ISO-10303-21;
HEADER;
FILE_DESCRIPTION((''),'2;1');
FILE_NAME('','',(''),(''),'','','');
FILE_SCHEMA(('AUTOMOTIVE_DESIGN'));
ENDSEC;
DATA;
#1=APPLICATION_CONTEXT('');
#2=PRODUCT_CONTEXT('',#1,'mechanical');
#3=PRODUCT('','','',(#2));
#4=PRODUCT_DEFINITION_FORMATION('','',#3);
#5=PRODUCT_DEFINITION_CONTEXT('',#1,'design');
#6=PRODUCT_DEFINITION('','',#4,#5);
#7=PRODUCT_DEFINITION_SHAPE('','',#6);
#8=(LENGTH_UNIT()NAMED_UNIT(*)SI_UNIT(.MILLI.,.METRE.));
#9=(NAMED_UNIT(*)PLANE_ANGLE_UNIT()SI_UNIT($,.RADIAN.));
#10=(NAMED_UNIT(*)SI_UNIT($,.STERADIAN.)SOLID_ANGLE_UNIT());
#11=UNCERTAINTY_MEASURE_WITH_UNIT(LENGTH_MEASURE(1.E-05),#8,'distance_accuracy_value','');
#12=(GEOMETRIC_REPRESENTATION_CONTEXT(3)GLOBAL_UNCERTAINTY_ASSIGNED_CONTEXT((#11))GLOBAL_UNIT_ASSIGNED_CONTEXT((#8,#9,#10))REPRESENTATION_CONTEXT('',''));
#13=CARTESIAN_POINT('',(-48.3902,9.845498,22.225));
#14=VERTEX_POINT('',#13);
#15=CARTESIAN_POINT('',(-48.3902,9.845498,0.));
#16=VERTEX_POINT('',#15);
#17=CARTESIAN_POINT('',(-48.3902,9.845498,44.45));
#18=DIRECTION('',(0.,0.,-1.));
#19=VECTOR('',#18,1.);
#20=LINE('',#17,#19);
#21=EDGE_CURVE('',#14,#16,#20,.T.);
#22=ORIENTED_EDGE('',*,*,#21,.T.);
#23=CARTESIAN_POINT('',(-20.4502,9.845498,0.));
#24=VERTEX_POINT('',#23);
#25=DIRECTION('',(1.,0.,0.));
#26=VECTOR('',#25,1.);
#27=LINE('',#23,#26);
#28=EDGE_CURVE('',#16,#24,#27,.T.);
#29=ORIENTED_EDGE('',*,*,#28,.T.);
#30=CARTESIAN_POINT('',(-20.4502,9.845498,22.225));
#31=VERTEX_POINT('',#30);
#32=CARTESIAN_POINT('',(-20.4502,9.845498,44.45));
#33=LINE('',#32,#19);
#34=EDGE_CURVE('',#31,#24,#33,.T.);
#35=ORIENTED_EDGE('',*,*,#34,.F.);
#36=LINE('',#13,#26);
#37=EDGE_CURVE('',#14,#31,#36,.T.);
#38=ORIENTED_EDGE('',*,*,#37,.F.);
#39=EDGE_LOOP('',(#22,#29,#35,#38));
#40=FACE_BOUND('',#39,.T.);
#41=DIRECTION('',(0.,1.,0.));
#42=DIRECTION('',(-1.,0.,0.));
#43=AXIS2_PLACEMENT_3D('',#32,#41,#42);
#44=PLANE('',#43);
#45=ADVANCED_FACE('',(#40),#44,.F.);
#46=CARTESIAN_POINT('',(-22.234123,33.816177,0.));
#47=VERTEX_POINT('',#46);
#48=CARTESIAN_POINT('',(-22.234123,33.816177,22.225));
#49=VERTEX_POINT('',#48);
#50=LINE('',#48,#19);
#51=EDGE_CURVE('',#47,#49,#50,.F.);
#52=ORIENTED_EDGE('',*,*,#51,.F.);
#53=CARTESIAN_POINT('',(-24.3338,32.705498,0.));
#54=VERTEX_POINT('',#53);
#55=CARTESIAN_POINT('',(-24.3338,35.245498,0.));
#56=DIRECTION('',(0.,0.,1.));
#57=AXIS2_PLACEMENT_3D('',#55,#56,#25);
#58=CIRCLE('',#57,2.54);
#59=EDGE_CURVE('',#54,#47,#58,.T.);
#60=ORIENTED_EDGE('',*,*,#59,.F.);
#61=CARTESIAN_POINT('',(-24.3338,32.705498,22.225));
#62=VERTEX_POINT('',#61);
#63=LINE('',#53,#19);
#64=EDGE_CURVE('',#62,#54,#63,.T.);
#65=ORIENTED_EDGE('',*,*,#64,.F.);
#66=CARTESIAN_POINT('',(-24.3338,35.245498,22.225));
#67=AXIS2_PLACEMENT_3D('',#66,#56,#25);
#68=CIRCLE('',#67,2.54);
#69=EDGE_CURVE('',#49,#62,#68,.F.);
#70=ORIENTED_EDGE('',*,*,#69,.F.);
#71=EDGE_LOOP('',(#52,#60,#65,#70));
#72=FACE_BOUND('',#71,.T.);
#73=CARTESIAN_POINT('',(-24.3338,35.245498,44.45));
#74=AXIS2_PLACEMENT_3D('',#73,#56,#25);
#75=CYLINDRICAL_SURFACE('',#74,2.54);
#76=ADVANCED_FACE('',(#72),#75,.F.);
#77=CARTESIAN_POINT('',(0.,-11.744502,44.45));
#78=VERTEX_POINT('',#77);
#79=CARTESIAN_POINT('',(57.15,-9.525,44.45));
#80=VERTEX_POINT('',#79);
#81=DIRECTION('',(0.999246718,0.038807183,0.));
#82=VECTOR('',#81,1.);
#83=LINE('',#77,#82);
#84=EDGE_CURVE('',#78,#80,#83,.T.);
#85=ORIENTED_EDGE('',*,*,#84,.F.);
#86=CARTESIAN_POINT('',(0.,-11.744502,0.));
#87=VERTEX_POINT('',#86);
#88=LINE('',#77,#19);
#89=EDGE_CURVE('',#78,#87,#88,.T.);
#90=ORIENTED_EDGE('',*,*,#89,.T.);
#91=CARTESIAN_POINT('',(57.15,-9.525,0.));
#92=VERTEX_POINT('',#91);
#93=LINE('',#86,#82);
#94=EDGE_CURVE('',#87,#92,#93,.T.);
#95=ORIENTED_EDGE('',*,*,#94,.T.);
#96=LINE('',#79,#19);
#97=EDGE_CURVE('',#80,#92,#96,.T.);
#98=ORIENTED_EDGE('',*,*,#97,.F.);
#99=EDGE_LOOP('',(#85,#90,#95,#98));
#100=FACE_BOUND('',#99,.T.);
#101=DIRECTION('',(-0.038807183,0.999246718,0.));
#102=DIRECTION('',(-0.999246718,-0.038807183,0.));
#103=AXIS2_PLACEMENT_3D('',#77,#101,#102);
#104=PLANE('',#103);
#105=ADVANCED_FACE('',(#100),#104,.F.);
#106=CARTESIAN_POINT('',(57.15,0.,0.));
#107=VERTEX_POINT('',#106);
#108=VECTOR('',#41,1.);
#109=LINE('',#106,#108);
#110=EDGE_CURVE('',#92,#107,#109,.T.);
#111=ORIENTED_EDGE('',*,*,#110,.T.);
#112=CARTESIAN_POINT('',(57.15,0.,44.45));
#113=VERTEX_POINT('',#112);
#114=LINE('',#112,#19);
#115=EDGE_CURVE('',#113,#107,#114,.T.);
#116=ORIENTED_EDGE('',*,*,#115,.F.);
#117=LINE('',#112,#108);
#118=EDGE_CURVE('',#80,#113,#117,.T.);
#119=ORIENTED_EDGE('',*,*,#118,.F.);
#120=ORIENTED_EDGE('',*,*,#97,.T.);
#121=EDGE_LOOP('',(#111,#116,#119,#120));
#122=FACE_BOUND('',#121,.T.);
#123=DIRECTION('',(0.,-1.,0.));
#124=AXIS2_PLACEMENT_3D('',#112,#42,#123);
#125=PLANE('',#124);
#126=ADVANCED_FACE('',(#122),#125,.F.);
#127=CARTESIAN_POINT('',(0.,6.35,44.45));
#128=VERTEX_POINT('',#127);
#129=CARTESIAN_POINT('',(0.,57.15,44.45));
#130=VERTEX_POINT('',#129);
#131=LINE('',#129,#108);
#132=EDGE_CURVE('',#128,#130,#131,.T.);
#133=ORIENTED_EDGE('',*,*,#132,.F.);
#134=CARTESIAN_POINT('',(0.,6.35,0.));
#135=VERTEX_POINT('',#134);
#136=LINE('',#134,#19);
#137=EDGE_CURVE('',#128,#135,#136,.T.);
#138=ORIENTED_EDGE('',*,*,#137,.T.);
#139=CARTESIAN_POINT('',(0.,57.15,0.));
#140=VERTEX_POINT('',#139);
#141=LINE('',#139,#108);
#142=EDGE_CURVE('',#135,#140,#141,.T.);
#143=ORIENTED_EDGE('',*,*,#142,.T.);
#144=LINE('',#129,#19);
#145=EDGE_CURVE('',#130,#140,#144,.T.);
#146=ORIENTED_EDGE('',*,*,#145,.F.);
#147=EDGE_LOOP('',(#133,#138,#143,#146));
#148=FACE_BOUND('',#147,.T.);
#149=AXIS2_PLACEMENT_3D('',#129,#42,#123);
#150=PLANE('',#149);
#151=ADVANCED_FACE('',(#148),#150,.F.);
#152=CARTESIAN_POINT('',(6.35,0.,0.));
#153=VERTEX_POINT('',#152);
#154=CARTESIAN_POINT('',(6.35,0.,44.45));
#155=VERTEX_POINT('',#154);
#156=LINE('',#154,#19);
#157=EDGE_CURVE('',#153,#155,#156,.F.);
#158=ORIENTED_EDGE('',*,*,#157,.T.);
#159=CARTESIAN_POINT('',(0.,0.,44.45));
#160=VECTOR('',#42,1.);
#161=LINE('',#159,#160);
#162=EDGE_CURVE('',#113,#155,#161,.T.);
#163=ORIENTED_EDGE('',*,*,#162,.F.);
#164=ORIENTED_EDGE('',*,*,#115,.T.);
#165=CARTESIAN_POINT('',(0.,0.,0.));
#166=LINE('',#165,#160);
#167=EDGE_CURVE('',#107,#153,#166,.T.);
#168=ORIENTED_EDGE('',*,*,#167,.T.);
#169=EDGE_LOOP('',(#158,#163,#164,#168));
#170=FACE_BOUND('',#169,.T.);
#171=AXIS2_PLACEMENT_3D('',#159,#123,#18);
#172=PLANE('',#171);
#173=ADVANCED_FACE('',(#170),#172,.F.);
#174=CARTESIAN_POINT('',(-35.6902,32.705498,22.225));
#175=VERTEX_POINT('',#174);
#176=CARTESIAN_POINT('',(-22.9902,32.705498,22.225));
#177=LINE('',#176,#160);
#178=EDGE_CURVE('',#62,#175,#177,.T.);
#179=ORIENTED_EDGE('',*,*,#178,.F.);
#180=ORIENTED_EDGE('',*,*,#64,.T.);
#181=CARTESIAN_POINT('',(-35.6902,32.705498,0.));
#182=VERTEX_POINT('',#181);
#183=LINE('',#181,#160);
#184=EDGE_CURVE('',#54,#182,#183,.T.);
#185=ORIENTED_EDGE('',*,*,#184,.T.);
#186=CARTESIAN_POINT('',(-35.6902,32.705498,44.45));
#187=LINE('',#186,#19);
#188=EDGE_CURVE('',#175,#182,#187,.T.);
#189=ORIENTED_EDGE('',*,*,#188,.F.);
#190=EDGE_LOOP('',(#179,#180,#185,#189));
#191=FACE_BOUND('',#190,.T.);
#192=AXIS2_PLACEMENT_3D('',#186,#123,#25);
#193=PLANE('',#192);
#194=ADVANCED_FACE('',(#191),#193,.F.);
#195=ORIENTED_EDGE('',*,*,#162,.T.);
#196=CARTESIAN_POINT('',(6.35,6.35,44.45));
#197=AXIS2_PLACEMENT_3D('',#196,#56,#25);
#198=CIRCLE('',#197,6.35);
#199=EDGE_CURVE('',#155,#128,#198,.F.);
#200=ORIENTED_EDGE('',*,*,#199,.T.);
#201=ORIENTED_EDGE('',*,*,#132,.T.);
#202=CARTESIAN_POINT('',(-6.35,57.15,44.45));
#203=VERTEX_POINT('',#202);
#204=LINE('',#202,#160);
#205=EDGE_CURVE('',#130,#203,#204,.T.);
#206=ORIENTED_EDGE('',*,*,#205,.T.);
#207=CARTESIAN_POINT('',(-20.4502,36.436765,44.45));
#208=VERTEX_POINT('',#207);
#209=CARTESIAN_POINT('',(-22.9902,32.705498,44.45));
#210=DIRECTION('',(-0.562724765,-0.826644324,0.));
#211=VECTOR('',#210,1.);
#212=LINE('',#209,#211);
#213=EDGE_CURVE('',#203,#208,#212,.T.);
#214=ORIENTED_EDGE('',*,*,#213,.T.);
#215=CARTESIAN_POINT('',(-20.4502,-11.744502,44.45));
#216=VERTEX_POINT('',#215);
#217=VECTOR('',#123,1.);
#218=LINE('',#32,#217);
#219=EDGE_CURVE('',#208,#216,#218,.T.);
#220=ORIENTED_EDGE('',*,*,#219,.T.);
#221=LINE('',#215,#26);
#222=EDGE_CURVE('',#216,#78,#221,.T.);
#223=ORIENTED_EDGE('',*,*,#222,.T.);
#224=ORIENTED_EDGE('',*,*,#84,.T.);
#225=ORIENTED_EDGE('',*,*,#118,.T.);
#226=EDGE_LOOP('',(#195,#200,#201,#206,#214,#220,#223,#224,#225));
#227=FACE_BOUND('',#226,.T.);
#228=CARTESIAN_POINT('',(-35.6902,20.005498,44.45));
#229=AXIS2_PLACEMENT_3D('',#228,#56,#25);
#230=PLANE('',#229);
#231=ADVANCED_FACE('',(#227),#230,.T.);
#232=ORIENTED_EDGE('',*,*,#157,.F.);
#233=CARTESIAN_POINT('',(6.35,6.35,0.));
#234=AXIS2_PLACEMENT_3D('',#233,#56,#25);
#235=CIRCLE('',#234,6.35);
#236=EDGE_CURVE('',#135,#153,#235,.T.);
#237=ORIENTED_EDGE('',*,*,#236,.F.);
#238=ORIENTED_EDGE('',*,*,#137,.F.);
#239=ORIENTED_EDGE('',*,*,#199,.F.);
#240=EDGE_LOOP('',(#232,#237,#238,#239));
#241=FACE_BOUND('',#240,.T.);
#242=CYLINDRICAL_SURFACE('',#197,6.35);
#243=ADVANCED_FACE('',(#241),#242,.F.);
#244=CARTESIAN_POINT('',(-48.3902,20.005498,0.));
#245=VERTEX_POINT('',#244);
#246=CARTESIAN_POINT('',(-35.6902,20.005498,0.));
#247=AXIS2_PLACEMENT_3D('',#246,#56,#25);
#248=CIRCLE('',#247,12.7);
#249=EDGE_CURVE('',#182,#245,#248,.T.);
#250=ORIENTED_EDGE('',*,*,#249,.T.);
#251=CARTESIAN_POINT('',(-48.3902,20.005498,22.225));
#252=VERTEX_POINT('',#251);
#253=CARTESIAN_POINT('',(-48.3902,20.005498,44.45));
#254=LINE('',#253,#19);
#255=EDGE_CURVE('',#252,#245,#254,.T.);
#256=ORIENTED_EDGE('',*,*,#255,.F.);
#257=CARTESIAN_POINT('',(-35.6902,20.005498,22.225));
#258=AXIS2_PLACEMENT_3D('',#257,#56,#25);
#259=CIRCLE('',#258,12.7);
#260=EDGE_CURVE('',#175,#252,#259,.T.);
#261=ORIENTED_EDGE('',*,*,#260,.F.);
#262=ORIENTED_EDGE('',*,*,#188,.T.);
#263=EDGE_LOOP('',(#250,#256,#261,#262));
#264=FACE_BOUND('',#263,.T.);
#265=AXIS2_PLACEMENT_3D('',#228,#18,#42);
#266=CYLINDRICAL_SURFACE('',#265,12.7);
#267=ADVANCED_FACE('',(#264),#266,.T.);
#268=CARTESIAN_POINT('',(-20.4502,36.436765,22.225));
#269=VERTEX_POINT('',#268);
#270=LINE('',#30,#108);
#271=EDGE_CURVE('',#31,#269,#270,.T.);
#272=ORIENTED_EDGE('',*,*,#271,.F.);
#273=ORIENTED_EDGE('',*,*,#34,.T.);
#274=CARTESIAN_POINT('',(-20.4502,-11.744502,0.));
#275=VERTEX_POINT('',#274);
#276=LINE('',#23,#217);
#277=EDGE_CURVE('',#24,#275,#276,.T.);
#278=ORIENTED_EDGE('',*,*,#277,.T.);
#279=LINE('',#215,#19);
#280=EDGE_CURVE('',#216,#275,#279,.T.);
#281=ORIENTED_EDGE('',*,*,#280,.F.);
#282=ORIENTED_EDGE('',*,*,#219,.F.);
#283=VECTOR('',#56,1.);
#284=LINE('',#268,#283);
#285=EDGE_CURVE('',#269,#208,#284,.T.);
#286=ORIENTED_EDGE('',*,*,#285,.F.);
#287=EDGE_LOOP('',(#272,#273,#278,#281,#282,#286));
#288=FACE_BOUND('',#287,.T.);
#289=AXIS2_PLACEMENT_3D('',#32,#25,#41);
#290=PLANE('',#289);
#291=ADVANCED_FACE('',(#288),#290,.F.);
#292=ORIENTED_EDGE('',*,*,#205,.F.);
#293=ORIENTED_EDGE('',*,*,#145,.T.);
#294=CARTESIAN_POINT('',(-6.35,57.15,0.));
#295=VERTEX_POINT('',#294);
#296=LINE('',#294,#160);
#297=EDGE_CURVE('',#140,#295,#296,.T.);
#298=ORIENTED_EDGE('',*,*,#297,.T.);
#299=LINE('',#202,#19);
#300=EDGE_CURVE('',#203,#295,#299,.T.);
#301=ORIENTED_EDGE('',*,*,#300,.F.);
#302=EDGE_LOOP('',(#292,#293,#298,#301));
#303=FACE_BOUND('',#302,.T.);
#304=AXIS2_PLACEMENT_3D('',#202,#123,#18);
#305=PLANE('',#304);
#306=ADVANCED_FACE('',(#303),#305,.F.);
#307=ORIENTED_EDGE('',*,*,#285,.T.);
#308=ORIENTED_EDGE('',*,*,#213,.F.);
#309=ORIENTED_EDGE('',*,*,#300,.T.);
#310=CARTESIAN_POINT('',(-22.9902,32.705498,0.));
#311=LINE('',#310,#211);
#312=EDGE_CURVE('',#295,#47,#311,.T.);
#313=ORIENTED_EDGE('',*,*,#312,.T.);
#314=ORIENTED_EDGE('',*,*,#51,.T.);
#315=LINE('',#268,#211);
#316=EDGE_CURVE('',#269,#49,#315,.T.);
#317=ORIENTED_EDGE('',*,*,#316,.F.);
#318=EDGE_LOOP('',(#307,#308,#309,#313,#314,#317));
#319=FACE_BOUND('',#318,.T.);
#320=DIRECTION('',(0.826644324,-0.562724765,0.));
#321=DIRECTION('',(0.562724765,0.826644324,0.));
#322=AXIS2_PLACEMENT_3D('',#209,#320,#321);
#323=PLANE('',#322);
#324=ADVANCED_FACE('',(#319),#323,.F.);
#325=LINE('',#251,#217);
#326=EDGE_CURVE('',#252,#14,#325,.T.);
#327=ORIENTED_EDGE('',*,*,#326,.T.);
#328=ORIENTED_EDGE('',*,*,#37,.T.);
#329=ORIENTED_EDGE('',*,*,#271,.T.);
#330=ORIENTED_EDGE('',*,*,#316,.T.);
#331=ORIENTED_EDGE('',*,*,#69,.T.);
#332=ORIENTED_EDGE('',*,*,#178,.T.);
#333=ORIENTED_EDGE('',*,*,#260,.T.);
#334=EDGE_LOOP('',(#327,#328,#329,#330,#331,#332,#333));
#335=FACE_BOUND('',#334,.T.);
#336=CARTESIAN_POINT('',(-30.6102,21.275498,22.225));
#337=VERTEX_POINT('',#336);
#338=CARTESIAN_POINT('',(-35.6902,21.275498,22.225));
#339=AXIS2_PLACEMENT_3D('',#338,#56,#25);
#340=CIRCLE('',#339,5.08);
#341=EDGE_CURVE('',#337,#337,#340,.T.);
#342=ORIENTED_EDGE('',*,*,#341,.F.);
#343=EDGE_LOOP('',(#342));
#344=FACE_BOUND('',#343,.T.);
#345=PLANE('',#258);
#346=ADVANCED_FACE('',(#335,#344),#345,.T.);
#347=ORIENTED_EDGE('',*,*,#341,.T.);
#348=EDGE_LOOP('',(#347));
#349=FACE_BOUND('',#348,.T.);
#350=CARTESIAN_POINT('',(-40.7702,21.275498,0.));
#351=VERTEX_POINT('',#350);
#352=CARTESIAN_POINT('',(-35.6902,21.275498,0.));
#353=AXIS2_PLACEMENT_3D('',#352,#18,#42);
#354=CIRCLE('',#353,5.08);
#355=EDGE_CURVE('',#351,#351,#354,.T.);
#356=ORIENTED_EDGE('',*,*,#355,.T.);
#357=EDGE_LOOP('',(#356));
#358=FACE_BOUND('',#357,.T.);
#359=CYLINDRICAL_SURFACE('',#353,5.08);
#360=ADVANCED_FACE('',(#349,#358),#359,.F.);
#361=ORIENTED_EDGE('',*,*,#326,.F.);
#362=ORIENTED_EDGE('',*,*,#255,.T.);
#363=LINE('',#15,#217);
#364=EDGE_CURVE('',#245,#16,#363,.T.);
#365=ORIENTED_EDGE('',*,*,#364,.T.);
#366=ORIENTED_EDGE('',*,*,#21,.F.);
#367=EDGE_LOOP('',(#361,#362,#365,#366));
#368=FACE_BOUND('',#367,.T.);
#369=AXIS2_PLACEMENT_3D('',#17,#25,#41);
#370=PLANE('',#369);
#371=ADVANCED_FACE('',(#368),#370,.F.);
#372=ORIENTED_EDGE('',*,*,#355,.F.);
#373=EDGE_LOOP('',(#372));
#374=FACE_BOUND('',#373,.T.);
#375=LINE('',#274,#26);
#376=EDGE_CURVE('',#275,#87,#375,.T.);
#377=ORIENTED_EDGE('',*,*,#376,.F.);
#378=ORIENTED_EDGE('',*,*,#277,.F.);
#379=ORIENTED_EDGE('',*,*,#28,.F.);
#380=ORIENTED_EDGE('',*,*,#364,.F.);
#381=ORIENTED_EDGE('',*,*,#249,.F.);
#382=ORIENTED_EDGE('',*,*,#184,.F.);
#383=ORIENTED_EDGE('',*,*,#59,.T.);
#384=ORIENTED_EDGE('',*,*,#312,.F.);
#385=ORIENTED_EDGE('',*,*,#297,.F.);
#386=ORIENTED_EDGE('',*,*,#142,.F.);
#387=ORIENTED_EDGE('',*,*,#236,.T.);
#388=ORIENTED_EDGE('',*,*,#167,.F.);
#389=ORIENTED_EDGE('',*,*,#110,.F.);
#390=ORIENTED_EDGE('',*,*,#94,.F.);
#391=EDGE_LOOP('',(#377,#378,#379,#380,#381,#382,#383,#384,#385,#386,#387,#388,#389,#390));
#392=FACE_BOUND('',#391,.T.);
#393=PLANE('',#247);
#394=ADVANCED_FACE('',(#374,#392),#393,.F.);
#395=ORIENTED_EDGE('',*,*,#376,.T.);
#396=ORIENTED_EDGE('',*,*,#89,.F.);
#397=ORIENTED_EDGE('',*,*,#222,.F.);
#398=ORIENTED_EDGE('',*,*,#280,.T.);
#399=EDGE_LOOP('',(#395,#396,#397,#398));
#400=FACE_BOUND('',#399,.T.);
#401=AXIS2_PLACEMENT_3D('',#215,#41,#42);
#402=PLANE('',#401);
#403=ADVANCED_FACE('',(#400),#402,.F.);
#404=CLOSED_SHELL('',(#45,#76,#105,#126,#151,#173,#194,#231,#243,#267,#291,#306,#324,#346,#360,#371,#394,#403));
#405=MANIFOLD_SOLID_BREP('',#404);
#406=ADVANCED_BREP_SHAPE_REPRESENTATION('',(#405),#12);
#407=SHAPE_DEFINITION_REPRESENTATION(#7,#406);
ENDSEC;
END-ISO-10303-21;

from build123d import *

# Parameters (mm, degrees)
BOSS_EXTRUDE1_DEPTH          = 44.45
FILLET2_R                    = 6.35
CUT_EXTRUDE1_START           = -22.225
CUT_EXTRUDE1_DEPTH           = 22.225
FILLET3_R                    = 2.54
F_3_8_0_375_DIAMETER_HOLE1_D = 10.16


with BuildPart() as part:
    # Sketch1 → Boss-Extrude1 (new body)
    with BuildSketch(Plane.XY):
        with BuildLine():
            Line((0, 0), (57.15, 0))
            Line((57.15, 0), (57.15, -9.525))
            Line((57.15, -9.525), (0, -11.7445024))
            Line((0, -11.7445024), (-20.4502, -11.7445024))
            Line((-20.4502, -11.7445024), (-20.4502, 9.8454976))
            Line((-20.4502, 9.8454976), (-48.3902, 9.8454976))
            Line((-48.3902, 9.8454976), (-48.3902, 20.0054976))
            ThreePointArc((-48.3902, 20.0054976), (-44.670456121, 28.985753721), (-35.6902, 32.7054976))
            Line((-35.6902, 32.7054976), (-22.9902, 32.7054976))
            Line((-22.9902, 32.7054976), (-6.35, 57.15))
            Line((-6.35, 57.15), (0, 57.15))
            Line((0, 57.15), (0, 0))
        make_face()
    extrude(amount=BOSS_EXTRUDE1_DEPTH)

    # Fillet2
    fillet2_edges = [part.edges().sort_by_distance(p)[0] for p in [
        (0, 0, 22.225),
    ]]
    fillet(fillet2_edges, radius=FILLET2_R)

    # Sketch3 → Cut-Extrude1 (cut)
    with BuildSketch(Plane.XY.offset(44.45).offset(CUT_EXTRUDE1_START)):
        with BuildLine():
            Line((-48.3902, 9.8454976), (-20.4502, 9.8454976))
            Line((-20.4502, 9.8454976), (-20.4502, 36.436765018))
            Line((-20.4502, 36.436765018), (-22.9902, 32.7054976))
            Line((-22.9902, 32.7054976), (-35.6902, 32.7054976))
            ThreePointArc((-35.6902, 32.7054976), (-44.670456121, 28.985753721), (-48.3902, 20.0054976))
            Line((-48.3902, 20.0054976), (-48.3902, 9.8454976))
        make_face()
    extrude(amount=CUT_EXTRUDE1_DEPTH, mode=Mode.SUBTRACT)

    # Fillet3
    fillet3_edges = [part.edges().sort_by_distance(p)[0] for p in [
        (-22.9902, 32.7054976, 11.1125),
    ]]
    fillet(fillet3_edges, radius=FILLET3_R)

    # 3/8 (0.375) Diameter Hole1 (through all)
    with Locations(Plane(origin=(0, 0, 0), x_dir=(-1, 0, 0), z_dir=(0, 0, -1))):
        with Locations((35.6902, 21.2754976)):
            Hole(F_3_8_0_375_DIAMETER_HOLE1_D / 2)


solid = part.part
